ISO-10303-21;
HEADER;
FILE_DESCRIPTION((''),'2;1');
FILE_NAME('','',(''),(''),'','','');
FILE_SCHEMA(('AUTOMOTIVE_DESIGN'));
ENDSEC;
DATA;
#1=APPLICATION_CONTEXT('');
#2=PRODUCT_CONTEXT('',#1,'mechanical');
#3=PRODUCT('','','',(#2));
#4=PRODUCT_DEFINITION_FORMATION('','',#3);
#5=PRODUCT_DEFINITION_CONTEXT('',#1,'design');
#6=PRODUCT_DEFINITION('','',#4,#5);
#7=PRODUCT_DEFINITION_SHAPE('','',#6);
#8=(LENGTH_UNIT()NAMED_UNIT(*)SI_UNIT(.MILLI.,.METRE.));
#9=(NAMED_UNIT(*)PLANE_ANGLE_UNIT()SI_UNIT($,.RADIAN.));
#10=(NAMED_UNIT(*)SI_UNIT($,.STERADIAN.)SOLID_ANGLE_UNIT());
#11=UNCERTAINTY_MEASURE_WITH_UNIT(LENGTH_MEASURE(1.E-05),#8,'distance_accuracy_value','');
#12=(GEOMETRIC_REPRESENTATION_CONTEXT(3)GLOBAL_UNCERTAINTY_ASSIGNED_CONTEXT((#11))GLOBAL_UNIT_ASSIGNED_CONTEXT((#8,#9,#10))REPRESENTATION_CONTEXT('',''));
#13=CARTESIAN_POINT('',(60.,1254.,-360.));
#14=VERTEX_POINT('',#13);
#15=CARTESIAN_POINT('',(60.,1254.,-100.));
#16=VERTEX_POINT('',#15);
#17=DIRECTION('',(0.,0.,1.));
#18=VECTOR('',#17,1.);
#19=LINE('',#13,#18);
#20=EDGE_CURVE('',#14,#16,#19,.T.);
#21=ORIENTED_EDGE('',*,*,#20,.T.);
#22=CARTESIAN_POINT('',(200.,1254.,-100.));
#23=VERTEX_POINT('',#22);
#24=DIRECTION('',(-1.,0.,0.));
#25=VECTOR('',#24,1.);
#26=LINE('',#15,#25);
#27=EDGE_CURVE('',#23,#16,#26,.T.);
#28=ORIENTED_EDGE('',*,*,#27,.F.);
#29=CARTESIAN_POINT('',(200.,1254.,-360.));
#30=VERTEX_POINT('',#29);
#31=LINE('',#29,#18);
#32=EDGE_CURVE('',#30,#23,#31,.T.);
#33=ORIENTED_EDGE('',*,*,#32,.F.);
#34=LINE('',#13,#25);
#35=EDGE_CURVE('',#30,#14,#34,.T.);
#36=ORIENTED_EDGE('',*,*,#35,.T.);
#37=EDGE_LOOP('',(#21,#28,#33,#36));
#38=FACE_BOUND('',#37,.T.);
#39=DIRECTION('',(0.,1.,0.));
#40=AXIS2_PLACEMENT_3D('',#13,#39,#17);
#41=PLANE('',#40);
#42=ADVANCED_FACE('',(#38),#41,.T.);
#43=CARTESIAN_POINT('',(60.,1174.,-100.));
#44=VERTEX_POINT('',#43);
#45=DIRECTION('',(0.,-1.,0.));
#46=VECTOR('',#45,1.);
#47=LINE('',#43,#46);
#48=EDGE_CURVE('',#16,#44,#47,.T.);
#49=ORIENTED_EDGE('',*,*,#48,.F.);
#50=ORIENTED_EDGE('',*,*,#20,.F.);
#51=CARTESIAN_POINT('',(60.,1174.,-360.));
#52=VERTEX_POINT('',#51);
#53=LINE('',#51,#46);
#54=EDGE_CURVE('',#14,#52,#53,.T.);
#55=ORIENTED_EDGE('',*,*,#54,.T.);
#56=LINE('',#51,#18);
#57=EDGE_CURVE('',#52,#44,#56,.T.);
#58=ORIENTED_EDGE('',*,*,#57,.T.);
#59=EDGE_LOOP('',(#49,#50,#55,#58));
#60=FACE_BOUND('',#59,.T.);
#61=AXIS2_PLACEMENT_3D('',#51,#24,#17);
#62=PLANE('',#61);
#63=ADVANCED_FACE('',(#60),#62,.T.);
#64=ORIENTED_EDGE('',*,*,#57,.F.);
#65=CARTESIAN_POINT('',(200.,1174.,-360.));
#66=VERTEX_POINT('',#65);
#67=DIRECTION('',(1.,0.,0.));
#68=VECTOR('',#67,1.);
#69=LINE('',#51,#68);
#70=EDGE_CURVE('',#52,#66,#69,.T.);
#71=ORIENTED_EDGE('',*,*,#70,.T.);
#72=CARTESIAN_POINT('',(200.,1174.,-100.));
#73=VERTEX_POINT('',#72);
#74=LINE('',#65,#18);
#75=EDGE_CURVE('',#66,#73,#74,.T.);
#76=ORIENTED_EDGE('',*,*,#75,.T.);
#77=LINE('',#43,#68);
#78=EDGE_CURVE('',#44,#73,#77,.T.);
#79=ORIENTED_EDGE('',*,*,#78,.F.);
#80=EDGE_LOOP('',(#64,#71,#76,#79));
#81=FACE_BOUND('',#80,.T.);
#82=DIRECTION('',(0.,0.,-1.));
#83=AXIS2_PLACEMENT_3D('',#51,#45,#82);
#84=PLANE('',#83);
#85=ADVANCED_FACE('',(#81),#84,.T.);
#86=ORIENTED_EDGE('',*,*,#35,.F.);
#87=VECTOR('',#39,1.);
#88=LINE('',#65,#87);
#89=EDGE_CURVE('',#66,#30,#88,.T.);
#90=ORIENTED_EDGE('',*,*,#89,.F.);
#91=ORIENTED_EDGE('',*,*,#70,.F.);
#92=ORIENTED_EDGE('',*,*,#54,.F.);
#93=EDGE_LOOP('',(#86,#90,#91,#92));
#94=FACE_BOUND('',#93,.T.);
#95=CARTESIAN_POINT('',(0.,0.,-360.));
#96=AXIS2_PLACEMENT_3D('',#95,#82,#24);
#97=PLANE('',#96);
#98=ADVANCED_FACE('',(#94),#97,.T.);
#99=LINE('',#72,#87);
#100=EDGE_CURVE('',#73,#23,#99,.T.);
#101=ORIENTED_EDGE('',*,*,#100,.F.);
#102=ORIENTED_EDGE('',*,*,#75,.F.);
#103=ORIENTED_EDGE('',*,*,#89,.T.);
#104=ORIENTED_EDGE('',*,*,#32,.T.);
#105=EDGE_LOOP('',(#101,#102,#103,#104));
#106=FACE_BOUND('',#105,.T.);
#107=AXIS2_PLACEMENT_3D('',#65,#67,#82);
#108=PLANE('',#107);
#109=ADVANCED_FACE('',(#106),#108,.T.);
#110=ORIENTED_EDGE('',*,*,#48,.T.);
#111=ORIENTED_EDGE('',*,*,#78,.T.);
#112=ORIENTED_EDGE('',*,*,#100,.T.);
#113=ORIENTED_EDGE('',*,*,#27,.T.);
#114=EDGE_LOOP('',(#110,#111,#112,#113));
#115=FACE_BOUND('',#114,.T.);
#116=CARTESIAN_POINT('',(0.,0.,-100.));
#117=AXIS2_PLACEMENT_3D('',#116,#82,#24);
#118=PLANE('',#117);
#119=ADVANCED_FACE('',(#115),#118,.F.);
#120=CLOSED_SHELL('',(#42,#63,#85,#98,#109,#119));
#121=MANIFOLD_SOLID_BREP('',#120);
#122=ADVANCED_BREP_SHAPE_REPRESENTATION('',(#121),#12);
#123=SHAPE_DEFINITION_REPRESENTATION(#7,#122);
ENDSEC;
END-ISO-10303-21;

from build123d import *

# Parameters (mm, degrees)
PRESS_UC_PENCE_GOVDE_1_START = -100
SKETCH1_W                    = 140
SKETCH1_H                    = 80
PRESS_UC_PENCE_GOVDE_1_DEPTH = 260


with BuildPart() as part:
    # Sketch1 → PRESS_uc_pence_govde_1 (new body)
    with BuildSketch(Plane.XY.offset(PRESS_UC_PENCE_GOVDE_1_START)):
        with Locations((130, 1214)):
            Rectangle(SKETCH1_W, SKETCH1_H)
    extrude(amount=-PRESS_UC_PENCE_GOVDE_1_DEPTH)


solid = part.part
